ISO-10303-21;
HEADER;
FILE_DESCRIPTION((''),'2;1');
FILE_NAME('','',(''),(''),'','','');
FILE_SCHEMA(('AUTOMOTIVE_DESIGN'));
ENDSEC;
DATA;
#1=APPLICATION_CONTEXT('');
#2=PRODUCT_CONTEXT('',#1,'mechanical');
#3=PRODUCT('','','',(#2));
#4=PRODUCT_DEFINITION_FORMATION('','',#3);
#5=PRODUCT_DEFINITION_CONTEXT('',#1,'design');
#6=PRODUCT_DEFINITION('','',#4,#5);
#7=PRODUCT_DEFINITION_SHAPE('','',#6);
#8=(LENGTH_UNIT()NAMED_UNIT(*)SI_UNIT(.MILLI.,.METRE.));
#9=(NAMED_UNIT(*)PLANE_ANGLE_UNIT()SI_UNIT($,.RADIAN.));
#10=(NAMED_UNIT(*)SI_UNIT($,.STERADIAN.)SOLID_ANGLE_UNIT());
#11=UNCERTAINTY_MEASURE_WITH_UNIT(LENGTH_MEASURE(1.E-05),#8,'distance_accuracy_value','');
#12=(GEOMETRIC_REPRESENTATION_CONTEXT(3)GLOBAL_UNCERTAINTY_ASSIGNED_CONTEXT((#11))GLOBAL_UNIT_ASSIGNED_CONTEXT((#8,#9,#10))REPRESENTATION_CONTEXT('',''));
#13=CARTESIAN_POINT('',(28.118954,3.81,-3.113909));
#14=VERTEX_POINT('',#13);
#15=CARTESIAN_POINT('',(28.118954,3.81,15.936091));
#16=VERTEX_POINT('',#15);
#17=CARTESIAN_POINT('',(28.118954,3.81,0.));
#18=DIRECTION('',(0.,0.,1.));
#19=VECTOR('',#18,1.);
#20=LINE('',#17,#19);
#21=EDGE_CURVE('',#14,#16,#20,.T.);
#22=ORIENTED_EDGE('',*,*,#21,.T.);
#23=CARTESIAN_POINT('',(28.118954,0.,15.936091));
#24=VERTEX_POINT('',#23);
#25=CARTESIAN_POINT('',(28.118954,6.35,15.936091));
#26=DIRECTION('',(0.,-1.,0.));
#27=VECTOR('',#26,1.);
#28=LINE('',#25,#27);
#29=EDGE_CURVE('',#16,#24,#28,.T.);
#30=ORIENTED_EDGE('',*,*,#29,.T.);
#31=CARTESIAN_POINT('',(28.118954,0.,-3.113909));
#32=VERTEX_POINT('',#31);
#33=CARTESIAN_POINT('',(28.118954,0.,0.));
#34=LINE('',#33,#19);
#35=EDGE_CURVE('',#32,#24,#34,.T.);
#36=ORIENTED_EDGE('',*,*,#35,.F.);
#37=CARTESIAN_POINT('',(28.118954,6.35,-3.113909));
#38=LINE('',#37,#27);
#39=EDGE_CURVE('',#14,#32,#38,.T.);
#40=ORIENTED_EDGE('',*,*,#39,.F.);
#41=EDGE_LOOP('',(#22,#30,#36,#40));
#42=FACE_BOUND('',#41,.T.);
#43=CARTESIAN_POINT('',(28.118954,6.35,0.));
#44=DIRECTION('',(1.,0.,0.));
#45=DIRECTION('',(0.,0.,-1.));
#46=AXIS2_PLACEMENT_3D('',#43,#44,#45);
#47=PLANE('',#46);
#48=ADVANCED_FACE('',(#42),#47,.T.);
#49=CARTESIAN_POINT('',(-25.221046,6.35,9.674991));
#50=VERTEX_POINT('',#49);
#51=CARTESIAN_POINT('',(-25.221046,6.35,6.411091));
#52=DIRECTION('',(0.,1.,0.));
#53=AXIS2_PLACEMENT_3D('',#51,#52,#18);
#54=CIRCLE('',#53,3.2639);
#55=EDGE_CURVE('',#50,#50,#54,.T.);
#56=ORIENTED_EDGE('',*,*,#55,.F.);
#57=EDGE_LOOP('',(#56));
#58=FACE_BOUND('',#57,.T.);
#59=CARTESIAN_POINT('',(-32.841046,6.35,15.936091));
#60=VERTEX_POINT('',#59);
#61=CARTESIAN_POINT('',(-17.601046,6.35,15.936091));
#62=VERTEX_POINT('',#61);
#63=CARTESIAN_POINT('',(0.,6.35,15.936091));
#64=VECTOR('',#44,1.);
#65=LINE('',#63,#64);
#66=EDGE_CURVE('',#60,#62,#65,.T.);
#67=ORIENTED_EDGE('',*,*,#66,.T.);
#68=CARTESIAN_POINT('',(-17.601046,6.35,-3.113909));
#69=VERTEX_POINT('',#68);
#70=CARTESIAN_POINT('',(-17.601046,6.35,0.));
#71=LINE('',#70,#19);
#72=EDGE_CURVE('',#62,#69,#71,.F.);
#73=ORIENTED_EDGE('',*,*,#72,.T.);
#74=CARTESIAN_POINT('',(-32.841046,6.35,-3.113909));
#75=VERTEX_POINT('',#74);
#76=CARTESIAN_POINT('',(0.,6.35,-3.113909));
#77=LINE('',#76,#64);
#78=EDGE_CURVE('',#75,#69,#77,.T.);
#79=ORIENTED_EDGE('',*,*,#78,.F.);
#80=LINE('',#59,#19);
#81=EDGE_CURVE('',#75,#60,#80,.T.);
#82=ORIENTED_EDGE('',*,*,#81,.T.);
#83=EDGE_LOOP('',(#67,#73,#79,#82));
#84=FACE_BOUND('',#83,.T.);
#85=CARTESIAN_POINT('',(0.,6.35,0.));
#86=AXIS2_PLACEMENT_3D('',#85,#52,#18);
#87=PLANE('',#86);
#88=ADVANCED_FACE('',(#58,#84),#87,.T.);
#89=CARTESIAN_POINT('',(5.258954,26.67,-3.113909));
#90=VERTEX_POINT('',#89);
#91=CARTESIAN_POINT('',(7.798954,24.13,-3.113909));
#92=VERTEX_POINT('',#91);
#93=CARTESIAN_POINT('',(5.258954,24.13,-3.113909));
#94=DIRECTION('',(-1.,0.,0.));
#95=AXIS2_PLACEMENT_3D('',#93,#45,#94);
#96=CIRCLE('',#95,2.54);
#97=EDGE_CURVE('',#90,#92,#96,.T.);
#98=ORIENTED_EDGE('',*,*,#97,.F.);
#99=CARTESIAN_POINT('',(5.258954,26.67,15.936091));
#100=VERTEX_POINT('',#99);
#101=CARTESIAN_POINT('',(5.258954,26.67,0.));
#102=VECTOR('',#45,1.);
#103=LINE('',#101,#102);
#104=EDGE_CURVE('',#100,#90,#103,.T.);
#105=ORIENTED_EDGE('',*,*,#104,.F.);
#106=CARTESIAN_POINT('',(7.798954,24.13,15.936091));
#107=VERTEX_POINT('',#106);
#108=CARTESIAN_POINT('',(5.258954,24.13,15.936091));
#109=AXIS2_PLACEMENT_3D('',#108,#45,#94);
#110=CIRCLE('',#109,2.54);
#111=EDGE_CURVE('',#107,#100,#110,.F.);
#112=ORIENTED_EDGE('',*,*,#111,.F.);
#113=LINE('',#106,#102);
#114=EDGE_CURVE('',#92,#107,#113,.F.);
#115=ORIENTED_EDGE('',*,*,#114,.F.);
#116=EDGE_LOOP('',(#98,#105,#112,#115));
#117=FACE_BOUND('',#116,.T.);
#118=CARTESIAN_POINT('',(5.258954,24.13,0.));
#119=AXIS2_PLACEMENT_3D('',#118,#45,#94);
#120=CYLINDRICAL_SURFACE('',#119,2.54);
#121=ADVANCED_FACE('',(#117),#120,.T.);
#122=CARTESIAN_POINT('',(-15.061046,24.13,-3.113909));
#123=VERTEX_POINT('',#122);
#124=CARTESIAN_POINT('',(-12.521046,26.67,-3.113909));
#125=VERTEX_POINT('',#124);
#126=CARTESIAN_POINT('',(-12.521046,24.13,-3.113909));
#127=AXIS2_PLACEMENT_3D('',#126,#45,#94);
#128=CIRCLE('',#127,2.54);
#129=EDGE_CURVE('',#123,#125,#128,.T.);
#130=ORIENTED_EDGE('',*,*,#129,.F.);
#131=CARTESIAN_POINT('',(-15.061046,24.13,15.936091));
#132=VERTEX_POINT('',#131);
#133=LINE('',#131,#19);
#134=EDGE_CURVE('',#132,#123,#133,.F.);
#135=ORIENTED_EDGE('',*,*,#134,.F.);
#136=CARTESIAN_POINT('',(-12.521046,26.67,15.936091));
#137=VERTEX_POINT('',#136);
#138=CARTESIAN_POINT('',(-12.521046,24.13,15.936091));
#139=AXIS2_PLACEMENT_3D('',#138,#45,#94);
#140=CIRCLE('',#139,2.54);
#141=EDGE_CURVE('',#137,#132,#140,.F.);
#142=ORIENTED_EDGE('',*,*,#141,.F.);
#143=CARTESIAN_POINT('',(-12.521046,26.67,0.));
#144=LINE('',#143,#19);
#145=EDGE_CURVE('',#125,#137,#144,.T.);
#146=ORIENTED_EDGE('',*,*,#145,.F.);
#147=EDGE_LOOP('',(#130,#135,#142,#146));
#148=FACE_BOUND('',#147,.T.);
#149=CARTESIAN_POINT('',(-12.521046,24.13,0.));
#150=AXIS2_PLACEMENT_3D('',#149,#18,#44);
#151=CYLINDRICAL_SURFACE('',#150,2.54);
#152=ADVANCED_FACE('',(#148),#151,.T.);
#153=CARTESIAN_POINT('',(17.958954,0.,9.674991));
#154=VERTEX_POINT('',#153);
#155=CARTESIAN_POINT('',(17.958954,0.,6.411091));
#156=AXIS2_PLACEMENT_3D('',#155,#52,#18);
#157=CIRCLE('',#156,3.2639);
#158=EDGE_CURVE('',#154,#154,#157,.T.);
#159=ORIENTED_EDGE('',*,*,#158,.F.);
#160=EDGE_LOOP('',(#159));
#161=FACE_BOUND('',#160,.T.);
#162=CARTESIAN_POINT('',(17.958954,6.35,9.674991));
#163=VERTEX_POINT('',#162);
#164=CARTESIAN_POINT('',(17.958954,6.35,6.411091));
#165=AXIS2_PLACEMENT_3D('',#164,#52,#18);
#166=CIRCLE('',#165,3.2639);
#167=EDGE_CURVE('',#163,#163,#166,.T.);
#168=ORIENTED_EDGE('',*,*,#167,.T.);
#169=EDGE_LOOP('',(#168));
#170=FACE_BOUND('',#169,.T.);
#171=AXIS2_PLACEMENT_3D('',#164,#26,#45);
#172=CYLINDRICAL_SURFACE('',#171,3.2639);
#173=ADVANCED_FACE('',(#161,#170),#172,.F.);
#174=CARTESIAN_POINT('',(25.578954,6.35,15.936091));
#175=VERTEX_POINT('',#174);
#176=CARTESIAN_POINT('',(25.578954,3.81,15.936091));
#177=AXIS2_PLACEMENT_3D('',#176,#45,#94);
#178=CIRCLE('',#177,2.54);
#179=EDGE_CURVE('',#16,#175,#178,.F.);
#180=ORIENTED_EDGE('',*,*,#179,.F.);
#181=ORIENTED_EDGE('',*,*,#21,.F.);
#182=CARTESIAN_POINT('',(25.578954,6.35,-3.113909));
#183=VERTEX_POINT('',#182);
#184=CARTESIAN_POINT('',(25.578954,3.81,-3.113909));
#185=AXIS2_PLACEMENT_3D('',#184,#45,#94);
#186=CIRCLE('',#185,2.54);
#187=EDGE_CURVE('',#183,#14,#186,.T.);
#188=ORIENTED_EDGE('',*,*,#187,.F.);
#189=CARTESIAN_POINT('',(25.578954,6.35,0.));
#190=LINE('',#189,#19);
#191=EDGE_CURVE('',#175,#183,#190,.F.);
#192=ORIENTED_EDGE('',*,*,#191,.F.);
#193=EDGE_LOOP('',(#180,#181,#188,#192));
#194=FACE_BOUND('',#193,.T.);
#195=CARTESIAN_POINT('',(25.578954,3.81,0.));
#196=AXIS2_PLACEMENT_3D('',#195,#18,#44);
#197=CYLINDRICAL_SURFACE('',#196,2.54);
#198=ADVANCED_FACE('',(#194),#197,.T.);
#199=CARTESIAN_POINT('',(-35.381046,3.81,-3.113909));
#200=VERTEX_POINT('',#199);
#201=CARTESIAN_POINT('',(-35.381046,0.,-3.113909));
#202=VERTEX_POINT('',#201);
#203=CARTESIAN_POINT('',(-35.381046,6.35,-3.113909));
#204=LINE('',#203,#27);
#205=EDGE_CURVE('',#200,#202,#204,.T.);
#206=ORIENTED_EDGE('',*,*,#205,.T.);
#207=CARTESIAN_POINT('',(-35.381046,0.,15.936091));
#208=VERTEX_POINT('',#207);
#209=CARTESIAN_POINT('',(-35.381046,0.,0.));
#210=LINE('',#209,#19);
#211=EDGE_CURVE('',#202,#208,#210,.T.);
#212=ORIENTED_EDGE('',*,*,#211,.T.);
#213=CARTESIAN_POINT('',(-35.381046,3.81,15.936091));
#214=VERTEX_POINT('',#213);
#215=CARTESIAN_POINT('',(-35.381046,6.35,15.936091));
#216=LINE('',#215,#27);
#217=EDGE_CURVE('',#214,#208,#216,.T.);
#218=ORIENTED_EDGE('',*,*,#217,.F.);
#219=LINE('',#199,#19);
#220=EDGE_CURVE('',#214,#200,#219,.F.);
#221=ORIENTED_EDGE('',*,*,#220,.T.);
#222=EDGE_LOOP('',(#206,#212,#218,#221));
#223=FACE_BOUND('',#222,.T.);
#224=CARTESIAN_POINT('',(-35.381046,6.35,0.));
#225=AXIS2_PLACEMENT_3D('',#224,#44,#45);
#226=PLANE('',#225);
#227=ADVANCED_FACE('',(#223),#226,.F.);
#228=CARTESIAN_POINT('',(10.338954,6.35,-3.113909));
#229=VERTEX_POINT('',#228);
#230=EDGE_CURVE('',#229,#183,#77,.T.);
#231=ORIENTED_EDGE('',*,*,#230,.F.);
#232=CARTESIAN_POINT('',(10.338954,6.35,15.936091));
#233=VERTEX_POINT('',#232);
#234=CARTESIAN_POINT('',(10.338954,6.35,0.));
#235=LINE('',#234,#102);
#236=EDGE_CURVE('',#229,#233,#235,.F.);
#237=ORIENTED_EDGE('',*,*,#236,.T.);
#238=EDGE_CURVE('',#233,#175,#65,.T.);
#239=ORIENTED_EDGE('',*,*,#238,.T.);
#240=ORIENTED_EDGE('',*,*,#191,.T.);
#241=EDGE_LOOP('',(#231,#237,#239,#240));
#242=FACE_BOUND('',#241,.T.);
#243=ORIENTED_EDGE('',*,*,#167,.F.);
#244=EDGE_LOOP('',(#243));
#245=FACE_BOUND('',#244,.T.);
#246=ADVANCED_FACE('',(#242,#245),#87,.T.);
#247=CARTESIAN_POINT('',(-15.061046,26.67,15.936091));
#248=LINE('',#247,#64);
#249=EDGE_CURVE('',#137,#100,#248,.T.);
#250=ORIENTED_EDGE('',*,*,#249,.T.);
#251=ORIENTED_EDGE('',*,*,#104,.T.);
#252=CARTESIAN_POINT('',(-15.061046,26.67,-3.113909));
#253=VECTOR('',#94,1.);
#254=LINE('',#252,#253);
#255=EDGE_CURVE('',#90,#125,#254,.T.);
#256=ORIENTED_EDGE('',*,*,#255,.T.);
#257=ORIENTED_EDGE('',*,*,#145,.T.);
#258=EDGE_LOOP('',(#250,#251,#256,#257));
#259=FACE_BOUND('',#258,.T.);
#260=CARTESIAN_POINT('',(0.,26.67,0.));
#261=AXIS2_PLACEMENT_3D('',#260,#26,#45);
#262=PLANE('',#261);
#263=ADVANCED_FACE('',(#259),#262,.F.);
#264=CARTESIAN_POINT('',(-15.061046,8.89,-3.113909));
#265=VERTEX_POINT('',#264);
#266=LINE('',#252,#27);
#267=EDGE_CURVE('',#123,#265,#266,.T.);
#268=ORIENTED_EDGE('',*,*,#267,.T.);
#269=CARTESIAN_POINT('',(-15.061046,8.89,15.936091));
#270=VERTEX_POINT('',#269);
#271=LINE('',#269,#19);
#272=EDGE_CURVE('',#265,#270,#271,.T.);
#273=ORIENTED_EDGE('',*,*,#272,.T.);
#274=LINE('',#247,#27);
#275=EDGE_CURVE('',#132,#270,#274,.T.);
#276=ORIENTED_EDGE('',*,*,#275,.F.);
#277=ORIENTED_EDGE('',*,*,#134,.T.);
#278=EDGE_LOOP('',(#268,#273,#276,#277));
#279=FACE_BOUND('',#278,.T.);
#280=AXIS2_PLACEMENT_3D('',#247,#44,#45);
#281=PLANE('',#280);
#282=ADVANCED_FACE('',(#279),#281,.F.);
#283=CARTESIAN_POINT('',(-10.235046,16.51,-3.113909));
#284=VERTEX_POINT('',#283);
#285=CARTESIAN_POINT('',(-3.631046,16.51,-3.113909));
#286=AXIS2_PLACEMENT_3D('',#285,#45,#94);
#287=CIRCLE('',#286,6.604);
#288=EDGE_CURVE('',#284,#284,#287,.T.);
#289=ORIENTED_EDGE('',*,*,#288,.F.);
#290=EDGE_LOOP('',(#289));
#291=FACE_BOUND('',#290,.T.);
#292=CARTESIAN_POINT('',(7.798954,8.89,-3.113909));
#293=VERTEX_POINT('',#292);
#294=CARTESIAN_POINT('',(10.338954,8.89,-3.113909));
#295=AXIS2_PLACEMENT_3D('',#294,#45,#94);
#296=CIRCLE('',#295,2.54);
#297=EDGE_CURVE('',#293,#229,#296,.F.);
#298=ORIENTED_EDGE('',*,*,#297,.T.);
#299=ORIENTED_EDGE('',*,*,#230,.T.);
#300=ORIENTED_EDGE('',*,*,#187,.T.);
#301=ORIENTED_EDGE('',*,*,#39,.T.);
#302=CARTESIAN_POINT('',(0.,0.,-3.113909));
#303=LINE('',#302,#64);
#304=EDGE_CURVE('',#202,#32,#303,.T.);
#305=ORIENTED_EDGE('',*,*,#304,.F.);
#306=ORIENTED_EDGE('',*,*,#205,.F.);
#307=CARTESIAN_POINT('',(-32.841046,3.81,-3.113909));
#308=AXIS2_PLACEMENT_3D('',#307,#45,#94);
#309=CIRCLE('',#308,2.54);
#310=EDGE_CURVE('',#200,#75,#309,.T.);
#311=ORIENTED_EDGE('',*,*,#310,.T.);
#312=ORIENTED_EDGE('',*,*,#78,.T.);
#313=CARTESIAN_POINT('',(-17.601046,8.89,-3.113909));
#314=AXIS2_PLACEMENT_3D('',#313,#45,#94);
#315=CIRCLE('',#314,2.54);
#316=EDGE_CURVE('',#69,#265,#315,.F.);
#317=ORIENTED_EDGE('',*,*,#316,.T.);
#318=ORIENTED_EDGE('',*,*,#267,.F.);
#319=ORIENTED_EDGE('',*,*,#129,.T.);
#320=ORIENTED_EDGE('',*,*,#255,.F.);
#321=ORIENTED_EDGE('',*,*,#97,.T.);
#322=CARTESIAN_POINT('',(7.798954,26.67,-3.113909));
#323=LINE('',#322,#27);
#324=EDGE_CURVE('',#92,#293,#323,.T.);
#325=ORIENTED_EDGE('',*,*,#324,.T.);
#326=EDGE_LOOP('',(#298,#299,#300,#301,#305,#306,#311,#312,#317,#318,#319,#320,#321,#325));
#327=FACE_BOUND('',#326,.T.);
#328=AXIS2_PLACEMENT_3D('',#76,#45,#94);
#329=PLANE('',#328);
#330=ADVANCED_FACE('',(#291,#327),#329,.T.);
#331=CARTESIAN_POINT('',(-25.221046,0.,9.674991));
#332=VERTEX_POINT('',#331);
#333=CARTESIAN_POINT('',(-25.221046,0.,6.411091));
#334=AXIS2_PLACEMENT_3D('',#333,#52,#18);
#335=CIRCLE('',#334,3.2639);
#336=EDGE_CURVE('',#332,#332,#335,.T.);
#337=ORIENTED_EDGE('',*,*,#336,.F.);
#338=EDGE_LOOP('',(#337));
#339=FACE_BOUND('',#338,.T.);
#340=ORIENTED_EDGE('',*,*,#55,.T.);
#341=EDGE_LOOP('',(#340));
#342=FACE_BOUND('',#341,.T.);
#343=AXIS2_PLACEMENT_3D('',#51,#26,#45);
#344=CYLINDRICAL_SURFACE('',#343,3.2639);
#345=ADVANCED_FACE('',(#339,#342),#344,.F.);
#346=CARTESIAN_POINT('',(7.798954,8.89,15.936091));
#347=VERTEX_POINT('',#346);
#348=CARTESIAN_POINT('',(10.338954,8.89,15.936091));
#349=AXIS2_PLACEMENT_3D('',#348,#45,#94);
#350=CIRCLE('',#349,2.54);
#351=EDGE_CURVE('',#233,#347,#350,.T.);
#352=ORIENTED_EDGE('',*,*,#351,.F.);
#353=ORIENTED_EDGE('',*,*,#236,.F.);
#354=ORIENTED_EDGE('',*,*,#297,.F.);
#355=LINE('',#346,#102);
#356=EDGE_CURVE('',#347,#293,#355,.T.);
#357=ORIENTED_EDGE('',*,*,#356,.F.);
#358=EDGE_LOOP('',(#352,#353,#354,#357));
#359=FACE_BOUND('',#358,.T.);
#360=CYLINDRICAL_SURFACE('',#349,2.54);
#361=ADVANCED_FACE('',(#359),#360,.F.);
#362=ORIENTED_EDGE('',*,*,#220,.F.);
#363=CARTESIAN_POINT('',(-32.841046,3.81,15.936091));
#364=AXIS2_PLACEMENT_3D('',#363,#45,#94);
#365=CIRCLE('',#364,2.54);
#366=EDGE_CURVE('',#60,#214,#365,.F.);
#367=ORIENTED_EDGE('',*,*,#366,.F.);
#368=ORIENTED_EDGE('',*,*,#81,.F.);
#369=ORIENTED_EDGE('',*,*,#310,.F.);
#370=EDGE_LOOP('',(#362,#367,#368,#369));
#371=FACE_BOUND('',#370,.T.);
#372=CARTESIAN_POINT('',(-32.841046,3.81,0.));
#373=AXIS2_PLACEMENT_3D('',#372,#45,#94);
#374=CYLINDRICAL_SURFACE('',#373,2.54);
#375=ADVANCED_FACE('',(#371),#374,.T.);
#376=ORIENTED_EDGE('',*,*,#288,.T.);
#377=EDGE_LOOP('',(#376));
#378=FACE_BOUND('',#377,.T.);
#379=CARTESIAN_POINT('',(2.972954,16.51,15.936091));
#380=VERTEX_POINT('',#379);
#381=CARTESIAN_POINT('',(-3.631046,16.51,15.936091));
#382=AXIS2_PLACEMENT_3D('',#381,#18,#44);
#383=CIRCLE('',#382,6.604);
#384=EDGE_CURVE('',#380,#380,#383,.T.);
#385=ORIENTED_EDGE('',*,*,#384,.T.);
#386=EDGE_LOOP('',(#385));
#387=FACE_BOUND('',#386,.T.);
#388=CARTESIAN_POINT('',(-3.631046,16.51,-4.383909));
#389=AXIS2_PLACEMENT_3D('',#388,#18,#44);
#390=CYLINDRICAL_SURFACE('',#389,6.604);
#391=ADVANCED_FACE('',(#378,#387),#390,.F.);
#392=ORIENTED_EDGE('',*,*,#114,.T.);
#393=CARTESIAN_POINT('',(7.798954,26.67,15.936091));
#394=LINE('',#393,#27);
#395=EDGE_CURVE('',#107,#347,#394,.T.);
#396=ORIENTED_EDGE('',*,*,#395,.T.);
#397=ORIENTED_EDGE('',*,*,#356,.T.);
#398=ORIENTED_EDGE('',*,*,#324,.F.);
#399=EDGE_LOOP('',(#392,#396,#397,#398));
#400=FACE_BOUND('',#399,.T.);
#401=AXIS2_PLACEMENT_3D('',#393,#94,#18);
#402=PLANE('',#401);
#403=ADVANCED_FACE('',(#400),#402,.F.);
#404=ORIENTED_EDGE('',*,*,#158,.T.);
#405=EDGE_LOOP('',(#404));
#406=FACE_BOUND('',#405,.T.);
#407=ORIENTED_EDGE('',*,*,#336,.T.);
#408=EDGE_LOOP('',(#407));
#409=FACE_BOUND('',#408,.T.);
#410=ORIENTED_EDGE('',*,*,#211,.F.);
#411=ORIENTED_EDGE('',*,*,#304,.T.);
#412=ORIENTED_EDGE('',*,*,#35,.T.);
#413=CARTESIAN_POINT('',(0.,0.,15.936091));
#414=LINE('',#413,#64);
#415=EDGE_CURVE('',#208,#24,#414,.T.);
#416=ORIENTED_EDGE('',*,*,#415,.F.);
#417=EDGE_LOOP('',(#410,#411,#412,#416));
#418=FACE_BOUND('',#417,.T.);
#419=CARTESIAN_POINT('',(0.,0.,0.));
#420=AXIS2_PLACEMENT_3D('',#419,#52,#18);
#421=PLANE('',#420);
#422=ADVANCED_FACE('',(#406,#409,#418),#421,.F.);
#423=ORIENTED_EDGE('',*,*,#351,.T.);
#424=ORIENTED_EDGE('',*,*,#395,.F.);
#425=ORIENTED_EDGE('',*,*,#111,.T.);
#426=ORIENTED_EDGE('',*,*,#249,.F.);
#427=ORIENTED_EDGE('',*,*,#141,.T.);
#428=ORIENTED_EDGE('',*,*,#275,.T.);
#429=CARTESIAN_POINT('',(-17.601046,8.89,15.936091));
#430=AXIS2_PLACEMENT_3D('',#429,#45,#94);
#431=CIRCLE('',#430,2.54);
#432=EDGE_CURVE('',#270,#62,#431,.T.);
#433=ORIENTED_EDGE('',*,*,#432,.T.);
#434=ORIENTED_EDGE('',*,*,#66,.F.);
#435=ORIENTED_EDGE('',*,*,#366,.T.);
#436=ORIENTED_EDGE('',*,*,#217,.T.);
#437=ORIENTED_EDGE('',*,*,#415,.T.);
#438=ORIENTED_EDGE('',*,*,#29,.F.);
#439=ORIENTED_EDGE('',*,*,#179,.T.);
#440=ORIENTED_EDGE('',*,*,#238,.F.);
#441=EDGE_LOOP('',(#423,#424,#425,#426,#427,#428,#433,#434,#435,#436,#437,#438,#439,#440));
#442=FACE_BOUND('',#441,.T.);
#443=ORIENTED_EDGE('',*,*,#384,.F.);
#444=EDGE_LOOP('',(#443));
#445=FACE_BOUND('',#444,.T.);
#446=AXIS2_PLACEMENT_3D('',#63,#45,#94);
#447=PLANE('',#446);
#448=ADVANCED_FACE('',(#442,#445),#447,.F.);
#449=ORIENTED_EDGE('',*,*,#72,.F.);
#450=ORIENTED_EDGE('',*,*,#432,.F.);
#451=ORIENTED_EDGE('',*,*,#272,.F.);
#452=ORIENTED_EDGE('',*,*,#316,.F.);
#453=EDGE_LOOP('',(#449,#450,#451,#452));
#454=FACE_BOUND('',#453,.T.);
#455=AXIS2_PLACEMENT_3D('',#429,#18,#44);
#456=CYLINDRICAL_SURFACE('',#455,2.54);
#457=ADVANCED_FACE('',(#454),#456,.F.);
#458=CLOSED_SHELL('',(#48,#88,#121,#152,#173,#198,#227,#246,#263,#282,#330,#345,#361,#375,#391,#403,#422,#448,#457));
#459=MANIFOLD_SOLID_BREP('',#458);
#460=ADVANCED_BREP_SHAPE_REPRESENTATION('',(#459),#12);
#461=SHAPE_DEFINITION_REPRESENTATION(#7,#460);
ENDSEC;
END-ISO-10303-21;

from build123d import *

# Parameters (mm, degrees)
SKETCH1_W           = 17.78
SKETCH1_H           = 19.05
SKETCH1_R           = 3.2639
SKETCH1_W_2         = 27.94
BOSS_EXTRUDE3_DEPTH = 6.35
SKETCH3_W           = 22.86
SKETCH3_H           = 19.05
BOSS_EXTRUDE4_DEPTH = 20.32
SKETCH6_R           = 6.604
CUT_EXTRUDE1_DEPTH  = 20.32
FILLET5_R           = 2.54


with BuildPart() as part:
    # Sketch1 → Boss-Extrude3 (new body)
    with BuildSketch(Plane(origin=(0, 0, 0), x_dir=(1, 0, 0), z_dir=(0, 1, 0))):
        with Locations((-26.491045528, -6.411090754)):
            Rectangle(SKETCH1_W, SKETCH1_H)
        with Locations((-25.221045528, -6.411090754)):
            Circle(SKETCH1_R, mode=Mode.SUBTRACT)
        with Locations((-3.631045528, -6.411090754)):
            Rectangle(SKETCH1_W_2, SKETCH1_H)
        with Locations((19.228954472, -6.411090754)):
            Rectangle(SKETCH1_W, SKETCH1_H)
        with Locations((17.958954472, -6.411090754)):
            Circle(SKETCH1_R, mode=Mode.SUBTRACT)
    extrude(amount=BOSS_EXTRUDE3_DEPTH)

    # Sketch3 → Boss-Extrude4 (add)
    with BuildSketch(Plane(origin=(0, 6.35, 0), x_dir=(1, 0, 0), z_dir=(0, 1, 0))):
        with Locations((-3.631045528, -6.411090754)):
            Rectangle(SKETCH3_W, SKETCH3_H)
    extrude(amount=BOSS_EXTRUDE4_DEPTH)

    # Sketch6 → Cut-Extrude1 (cut)
    with BuildSketch(Plane.XY.offset(15.936090754)):
        with Locations((-3.631045528, 16.51)):
            Circle(SKETCH6_R)
    extrude(amount=-CUT_EXTRUDE1_DEPTH, mode=Mode.SUBTRACT)

    # Fillet5
    fillet5_edges = [part.edges().sort_by_distance(p)[0] for p in [
        (-15.061045528, 6.35, 6.411090754),
        (-35.381045528, 6.35, 6.411090754),
        (28.118954472, 6.35, 6.411090754),
        (7.798954472, 26.67, 6.411090754),
        (-15.061045528, 26.67, 6.411090754),
        (7.798954472, 6.35, 6.411090754),
    ]]
    fillet(fillet5_edges, radius=FILLET5_R)


solid = part.part
